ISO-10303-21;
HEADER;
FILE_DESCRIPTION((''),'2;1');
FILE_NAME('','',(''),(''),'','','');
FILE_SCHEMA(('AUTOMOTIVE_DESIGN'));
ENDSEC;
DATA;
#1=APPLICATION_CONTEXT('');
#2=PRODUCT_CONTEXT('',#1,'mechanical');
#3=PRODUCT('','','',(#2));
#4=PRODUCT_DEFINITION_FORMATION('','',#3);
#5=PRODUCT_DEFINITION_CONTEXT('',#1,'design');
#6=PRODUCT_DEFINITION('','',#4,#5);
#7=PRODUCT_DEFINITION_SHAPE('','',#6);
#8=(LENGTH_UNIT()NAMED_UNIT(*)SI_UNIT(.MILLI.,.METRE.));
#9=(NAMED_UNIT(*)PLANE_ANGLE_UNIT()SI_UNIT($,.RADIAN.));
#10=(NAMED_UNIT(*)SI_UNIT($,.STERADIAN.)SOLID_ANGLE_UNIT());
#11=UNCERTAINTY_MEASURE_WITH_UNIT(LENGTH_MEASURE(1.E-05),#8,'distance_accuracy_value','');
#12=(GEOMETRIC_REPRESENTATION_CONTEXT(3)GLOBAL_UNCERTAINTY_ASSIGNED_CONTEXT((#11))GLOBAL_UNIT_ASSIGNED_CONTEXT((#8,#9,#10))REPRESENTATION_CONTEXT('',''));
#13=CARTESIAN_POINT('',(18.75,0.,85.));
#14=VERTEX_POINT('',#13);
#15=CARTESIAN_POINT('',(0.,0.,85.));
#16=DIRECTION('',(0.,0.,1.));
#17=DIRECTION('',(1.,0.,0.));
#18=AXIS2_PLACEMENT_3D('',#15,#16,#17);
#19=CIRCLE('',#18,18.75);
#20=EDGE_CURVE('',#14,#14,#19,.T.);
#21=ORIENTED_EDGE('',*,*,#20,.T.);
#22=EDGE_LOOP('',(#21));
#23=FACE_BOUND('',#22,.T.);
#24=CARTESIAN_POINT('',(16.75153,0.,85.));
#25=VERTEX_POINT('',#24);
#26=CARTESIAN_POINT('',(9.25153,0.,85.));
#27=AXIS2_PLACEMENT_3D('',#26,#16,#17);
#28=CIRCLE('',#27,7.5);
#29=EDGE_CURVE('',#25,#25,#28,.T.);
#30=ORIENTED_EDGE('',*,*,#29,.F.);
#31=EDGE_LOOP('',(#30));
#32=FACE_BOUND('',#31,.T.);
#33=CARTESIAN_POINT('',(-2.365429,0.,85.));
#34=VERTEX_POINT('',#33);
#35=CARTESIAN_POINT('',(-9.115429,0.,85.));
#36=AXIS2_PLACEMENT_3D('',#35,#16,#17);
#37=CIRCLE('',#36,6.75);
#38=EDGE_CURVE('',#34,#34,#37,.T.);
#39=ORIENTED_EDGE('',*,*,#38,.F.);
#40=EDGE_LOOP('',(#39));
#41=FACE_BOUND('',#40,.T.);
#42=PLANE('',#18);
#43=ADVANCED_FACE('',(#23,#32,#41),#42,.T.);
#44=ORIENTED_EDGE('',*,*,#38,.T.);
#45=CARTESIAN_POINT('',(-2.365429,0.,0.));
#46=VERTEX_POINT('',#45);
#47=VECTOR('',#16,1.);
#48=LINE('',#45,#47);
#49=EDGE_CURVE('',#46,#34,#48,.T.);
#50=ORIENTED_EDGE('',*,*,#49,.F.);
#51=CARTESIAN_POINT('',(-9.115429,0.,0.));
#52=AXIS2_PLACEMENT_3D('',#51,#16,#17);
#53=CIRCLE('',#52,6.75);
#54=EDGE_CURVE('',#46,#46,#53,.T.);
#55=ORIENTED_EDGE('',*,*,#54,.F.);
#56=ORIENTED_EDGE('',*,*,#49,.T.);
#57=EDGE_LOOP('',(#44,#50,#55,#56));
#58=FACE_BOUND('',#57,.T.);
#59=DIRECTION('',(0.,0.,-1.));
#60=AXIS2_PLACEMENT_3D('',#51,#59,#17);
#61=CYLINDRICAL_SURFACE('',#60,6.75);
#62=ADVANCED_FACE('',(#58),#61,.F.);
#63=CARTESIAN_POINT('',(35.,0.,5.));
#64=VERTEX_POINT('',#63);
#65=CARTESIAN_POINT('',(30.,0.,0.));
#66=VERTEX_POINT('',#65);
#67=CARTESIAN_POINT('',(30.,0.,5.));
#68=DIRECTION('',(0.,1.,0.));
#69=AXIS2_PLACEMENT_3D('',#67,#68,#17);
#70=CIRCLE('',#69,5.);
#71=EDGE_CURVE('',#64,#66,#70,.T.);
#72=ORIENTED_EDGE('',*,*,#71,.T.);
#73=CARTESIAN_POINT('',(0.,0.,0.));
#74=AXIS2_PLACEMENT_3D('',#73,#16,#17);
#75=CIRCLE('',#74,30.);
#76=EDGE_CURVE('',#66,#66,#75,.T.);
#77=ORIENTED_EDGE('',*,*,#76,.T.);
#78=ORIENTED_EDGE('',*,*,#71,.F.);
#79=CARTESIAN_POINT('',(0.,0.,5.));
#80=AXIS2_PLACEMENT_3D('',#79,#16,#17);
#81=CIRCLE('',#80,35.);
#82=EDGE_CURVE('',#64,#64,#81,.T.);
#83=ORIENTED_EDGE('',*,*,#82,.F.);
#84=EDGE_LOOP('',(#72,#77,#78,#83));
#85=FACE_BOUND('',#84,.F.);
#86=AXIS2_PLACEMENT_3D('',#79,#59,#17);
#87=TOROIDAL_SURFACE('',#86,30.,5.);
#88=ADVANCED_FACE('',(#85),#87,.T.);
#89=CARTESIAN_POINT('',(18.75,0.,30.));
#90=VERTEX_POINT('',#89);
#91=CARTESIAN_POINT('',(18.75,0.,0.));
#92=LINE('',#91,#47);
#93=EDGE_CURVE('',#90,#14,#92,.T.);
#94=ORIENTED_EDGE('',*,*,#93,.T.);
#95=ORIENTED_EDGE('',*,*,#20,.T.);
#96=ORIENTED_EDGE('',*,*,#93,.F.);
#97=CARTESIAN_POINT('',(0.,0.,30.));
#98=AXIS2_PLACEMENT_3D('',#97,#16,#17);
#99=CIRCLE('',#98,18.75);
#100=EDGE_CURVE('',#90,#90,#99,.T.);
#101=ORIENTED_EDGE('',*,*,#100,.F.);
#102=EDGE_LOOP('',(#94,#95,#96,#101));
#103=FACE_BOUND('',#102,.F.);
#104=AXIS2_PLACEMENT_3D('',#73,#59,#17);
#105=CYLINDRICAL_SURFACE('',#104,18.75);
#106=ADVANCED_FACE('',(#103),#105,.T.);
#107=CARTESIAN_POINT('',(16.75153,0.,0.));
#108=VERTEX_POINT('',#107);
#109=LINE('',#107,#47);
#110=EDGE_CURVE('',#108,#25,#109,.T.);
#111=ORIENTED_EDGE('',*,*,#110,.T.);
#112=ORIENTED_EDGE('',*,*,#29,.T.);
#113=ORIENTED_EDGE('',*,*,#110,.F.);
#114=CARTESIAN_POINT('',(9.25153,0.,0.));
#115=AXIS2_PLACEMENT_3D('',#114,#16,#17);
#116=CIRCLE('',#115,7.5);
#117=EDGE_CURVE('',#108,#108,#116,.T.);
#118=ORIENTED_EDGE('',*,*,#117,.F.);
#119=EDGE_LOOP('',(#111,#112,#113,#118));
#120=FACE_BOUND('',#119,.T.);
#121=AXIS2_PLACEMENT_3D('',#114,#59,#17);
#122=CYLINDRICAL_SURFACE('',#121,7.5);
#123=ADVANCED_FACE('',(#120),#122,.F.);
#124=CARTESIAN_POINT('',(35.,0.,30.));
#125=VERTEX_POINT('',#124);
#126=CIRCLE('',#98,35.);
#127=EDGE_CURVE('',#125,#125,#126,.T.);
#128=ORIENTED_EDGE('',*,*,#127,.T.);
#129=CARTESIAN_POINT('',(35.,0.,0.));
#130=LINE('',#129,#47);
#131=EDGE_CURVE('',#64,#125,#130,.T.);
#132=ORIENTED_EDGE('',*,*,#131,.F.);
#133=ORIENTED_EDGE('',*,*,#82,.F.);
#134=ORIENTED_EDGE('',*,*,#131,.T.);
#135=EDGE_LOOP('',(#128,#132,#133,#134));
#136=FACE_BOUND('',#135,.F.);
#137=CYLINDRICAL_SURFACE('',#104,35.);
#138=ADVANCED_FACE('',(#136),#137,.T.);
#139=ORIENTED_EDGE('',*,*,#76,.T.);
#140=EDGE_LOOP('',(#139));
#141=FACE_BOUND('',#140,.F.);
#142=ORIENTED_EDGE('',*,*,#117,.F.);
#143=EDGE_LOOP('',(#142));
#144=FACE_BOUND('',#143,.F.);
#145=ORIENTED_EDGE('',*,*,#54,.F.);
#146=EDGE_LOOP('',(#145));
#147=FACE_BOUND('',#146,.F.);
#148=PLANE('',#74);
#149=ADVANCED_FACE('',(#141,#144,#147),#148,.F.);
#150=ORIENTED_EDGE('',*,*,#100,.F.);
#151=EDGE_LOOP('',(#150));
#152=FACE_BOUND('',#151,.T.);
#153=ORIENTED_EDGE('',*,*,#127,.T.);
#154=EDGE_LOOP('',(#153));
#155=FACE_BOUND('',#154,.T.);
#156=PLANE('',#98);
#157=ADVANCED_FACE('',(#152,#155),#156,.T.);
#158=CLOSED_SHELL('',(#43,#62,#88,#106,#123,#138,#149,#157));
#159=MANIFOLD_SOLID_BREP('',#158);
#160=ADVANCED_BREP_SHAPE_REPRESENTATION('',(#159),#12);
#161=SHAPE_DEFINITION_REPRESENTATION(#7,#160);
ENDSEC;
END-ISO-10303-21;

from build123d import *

# Parameters (mm, degrees)
F0_R     = 35
F0_R_2   = 18.75
F1_DEPTH = 30
F0_R_3   = 6.75
F0_R_4   = 7.5
F2_DEPTH = 85
F3_R     = 5


with BuildPart() as f1:
    # F0 (on Top) → F1 (new body)
    with BuildSketch(Plane.XY):
        Circle(F0_R)
        Circle(F0_R_2, mode=Mode.SUBTRACT)
    extrude(amount=F1_DEPTH)

    # F0 (on Top) → F2 (join)
    with BuildSketch(Plane.XY):
        Circle(F0_R_2)
        with Locations((-9.115429, 0)):
            Circle(F0_R_3, mode=Mode.SUBTRACT)
        with Locations((9.25153, 0)):
            Circle(F0_R_4, mode=Mode.SUBTRACT)
    extrude(amount=F2_DEPTH)

    # F3
    f3_edges = [f1.edges().sort_by_distance(p)[0] for p in [
        (-35, 0, 0),
    ]]
    fillet(f3_edges, radius=F3_R)


solid = f1.part
